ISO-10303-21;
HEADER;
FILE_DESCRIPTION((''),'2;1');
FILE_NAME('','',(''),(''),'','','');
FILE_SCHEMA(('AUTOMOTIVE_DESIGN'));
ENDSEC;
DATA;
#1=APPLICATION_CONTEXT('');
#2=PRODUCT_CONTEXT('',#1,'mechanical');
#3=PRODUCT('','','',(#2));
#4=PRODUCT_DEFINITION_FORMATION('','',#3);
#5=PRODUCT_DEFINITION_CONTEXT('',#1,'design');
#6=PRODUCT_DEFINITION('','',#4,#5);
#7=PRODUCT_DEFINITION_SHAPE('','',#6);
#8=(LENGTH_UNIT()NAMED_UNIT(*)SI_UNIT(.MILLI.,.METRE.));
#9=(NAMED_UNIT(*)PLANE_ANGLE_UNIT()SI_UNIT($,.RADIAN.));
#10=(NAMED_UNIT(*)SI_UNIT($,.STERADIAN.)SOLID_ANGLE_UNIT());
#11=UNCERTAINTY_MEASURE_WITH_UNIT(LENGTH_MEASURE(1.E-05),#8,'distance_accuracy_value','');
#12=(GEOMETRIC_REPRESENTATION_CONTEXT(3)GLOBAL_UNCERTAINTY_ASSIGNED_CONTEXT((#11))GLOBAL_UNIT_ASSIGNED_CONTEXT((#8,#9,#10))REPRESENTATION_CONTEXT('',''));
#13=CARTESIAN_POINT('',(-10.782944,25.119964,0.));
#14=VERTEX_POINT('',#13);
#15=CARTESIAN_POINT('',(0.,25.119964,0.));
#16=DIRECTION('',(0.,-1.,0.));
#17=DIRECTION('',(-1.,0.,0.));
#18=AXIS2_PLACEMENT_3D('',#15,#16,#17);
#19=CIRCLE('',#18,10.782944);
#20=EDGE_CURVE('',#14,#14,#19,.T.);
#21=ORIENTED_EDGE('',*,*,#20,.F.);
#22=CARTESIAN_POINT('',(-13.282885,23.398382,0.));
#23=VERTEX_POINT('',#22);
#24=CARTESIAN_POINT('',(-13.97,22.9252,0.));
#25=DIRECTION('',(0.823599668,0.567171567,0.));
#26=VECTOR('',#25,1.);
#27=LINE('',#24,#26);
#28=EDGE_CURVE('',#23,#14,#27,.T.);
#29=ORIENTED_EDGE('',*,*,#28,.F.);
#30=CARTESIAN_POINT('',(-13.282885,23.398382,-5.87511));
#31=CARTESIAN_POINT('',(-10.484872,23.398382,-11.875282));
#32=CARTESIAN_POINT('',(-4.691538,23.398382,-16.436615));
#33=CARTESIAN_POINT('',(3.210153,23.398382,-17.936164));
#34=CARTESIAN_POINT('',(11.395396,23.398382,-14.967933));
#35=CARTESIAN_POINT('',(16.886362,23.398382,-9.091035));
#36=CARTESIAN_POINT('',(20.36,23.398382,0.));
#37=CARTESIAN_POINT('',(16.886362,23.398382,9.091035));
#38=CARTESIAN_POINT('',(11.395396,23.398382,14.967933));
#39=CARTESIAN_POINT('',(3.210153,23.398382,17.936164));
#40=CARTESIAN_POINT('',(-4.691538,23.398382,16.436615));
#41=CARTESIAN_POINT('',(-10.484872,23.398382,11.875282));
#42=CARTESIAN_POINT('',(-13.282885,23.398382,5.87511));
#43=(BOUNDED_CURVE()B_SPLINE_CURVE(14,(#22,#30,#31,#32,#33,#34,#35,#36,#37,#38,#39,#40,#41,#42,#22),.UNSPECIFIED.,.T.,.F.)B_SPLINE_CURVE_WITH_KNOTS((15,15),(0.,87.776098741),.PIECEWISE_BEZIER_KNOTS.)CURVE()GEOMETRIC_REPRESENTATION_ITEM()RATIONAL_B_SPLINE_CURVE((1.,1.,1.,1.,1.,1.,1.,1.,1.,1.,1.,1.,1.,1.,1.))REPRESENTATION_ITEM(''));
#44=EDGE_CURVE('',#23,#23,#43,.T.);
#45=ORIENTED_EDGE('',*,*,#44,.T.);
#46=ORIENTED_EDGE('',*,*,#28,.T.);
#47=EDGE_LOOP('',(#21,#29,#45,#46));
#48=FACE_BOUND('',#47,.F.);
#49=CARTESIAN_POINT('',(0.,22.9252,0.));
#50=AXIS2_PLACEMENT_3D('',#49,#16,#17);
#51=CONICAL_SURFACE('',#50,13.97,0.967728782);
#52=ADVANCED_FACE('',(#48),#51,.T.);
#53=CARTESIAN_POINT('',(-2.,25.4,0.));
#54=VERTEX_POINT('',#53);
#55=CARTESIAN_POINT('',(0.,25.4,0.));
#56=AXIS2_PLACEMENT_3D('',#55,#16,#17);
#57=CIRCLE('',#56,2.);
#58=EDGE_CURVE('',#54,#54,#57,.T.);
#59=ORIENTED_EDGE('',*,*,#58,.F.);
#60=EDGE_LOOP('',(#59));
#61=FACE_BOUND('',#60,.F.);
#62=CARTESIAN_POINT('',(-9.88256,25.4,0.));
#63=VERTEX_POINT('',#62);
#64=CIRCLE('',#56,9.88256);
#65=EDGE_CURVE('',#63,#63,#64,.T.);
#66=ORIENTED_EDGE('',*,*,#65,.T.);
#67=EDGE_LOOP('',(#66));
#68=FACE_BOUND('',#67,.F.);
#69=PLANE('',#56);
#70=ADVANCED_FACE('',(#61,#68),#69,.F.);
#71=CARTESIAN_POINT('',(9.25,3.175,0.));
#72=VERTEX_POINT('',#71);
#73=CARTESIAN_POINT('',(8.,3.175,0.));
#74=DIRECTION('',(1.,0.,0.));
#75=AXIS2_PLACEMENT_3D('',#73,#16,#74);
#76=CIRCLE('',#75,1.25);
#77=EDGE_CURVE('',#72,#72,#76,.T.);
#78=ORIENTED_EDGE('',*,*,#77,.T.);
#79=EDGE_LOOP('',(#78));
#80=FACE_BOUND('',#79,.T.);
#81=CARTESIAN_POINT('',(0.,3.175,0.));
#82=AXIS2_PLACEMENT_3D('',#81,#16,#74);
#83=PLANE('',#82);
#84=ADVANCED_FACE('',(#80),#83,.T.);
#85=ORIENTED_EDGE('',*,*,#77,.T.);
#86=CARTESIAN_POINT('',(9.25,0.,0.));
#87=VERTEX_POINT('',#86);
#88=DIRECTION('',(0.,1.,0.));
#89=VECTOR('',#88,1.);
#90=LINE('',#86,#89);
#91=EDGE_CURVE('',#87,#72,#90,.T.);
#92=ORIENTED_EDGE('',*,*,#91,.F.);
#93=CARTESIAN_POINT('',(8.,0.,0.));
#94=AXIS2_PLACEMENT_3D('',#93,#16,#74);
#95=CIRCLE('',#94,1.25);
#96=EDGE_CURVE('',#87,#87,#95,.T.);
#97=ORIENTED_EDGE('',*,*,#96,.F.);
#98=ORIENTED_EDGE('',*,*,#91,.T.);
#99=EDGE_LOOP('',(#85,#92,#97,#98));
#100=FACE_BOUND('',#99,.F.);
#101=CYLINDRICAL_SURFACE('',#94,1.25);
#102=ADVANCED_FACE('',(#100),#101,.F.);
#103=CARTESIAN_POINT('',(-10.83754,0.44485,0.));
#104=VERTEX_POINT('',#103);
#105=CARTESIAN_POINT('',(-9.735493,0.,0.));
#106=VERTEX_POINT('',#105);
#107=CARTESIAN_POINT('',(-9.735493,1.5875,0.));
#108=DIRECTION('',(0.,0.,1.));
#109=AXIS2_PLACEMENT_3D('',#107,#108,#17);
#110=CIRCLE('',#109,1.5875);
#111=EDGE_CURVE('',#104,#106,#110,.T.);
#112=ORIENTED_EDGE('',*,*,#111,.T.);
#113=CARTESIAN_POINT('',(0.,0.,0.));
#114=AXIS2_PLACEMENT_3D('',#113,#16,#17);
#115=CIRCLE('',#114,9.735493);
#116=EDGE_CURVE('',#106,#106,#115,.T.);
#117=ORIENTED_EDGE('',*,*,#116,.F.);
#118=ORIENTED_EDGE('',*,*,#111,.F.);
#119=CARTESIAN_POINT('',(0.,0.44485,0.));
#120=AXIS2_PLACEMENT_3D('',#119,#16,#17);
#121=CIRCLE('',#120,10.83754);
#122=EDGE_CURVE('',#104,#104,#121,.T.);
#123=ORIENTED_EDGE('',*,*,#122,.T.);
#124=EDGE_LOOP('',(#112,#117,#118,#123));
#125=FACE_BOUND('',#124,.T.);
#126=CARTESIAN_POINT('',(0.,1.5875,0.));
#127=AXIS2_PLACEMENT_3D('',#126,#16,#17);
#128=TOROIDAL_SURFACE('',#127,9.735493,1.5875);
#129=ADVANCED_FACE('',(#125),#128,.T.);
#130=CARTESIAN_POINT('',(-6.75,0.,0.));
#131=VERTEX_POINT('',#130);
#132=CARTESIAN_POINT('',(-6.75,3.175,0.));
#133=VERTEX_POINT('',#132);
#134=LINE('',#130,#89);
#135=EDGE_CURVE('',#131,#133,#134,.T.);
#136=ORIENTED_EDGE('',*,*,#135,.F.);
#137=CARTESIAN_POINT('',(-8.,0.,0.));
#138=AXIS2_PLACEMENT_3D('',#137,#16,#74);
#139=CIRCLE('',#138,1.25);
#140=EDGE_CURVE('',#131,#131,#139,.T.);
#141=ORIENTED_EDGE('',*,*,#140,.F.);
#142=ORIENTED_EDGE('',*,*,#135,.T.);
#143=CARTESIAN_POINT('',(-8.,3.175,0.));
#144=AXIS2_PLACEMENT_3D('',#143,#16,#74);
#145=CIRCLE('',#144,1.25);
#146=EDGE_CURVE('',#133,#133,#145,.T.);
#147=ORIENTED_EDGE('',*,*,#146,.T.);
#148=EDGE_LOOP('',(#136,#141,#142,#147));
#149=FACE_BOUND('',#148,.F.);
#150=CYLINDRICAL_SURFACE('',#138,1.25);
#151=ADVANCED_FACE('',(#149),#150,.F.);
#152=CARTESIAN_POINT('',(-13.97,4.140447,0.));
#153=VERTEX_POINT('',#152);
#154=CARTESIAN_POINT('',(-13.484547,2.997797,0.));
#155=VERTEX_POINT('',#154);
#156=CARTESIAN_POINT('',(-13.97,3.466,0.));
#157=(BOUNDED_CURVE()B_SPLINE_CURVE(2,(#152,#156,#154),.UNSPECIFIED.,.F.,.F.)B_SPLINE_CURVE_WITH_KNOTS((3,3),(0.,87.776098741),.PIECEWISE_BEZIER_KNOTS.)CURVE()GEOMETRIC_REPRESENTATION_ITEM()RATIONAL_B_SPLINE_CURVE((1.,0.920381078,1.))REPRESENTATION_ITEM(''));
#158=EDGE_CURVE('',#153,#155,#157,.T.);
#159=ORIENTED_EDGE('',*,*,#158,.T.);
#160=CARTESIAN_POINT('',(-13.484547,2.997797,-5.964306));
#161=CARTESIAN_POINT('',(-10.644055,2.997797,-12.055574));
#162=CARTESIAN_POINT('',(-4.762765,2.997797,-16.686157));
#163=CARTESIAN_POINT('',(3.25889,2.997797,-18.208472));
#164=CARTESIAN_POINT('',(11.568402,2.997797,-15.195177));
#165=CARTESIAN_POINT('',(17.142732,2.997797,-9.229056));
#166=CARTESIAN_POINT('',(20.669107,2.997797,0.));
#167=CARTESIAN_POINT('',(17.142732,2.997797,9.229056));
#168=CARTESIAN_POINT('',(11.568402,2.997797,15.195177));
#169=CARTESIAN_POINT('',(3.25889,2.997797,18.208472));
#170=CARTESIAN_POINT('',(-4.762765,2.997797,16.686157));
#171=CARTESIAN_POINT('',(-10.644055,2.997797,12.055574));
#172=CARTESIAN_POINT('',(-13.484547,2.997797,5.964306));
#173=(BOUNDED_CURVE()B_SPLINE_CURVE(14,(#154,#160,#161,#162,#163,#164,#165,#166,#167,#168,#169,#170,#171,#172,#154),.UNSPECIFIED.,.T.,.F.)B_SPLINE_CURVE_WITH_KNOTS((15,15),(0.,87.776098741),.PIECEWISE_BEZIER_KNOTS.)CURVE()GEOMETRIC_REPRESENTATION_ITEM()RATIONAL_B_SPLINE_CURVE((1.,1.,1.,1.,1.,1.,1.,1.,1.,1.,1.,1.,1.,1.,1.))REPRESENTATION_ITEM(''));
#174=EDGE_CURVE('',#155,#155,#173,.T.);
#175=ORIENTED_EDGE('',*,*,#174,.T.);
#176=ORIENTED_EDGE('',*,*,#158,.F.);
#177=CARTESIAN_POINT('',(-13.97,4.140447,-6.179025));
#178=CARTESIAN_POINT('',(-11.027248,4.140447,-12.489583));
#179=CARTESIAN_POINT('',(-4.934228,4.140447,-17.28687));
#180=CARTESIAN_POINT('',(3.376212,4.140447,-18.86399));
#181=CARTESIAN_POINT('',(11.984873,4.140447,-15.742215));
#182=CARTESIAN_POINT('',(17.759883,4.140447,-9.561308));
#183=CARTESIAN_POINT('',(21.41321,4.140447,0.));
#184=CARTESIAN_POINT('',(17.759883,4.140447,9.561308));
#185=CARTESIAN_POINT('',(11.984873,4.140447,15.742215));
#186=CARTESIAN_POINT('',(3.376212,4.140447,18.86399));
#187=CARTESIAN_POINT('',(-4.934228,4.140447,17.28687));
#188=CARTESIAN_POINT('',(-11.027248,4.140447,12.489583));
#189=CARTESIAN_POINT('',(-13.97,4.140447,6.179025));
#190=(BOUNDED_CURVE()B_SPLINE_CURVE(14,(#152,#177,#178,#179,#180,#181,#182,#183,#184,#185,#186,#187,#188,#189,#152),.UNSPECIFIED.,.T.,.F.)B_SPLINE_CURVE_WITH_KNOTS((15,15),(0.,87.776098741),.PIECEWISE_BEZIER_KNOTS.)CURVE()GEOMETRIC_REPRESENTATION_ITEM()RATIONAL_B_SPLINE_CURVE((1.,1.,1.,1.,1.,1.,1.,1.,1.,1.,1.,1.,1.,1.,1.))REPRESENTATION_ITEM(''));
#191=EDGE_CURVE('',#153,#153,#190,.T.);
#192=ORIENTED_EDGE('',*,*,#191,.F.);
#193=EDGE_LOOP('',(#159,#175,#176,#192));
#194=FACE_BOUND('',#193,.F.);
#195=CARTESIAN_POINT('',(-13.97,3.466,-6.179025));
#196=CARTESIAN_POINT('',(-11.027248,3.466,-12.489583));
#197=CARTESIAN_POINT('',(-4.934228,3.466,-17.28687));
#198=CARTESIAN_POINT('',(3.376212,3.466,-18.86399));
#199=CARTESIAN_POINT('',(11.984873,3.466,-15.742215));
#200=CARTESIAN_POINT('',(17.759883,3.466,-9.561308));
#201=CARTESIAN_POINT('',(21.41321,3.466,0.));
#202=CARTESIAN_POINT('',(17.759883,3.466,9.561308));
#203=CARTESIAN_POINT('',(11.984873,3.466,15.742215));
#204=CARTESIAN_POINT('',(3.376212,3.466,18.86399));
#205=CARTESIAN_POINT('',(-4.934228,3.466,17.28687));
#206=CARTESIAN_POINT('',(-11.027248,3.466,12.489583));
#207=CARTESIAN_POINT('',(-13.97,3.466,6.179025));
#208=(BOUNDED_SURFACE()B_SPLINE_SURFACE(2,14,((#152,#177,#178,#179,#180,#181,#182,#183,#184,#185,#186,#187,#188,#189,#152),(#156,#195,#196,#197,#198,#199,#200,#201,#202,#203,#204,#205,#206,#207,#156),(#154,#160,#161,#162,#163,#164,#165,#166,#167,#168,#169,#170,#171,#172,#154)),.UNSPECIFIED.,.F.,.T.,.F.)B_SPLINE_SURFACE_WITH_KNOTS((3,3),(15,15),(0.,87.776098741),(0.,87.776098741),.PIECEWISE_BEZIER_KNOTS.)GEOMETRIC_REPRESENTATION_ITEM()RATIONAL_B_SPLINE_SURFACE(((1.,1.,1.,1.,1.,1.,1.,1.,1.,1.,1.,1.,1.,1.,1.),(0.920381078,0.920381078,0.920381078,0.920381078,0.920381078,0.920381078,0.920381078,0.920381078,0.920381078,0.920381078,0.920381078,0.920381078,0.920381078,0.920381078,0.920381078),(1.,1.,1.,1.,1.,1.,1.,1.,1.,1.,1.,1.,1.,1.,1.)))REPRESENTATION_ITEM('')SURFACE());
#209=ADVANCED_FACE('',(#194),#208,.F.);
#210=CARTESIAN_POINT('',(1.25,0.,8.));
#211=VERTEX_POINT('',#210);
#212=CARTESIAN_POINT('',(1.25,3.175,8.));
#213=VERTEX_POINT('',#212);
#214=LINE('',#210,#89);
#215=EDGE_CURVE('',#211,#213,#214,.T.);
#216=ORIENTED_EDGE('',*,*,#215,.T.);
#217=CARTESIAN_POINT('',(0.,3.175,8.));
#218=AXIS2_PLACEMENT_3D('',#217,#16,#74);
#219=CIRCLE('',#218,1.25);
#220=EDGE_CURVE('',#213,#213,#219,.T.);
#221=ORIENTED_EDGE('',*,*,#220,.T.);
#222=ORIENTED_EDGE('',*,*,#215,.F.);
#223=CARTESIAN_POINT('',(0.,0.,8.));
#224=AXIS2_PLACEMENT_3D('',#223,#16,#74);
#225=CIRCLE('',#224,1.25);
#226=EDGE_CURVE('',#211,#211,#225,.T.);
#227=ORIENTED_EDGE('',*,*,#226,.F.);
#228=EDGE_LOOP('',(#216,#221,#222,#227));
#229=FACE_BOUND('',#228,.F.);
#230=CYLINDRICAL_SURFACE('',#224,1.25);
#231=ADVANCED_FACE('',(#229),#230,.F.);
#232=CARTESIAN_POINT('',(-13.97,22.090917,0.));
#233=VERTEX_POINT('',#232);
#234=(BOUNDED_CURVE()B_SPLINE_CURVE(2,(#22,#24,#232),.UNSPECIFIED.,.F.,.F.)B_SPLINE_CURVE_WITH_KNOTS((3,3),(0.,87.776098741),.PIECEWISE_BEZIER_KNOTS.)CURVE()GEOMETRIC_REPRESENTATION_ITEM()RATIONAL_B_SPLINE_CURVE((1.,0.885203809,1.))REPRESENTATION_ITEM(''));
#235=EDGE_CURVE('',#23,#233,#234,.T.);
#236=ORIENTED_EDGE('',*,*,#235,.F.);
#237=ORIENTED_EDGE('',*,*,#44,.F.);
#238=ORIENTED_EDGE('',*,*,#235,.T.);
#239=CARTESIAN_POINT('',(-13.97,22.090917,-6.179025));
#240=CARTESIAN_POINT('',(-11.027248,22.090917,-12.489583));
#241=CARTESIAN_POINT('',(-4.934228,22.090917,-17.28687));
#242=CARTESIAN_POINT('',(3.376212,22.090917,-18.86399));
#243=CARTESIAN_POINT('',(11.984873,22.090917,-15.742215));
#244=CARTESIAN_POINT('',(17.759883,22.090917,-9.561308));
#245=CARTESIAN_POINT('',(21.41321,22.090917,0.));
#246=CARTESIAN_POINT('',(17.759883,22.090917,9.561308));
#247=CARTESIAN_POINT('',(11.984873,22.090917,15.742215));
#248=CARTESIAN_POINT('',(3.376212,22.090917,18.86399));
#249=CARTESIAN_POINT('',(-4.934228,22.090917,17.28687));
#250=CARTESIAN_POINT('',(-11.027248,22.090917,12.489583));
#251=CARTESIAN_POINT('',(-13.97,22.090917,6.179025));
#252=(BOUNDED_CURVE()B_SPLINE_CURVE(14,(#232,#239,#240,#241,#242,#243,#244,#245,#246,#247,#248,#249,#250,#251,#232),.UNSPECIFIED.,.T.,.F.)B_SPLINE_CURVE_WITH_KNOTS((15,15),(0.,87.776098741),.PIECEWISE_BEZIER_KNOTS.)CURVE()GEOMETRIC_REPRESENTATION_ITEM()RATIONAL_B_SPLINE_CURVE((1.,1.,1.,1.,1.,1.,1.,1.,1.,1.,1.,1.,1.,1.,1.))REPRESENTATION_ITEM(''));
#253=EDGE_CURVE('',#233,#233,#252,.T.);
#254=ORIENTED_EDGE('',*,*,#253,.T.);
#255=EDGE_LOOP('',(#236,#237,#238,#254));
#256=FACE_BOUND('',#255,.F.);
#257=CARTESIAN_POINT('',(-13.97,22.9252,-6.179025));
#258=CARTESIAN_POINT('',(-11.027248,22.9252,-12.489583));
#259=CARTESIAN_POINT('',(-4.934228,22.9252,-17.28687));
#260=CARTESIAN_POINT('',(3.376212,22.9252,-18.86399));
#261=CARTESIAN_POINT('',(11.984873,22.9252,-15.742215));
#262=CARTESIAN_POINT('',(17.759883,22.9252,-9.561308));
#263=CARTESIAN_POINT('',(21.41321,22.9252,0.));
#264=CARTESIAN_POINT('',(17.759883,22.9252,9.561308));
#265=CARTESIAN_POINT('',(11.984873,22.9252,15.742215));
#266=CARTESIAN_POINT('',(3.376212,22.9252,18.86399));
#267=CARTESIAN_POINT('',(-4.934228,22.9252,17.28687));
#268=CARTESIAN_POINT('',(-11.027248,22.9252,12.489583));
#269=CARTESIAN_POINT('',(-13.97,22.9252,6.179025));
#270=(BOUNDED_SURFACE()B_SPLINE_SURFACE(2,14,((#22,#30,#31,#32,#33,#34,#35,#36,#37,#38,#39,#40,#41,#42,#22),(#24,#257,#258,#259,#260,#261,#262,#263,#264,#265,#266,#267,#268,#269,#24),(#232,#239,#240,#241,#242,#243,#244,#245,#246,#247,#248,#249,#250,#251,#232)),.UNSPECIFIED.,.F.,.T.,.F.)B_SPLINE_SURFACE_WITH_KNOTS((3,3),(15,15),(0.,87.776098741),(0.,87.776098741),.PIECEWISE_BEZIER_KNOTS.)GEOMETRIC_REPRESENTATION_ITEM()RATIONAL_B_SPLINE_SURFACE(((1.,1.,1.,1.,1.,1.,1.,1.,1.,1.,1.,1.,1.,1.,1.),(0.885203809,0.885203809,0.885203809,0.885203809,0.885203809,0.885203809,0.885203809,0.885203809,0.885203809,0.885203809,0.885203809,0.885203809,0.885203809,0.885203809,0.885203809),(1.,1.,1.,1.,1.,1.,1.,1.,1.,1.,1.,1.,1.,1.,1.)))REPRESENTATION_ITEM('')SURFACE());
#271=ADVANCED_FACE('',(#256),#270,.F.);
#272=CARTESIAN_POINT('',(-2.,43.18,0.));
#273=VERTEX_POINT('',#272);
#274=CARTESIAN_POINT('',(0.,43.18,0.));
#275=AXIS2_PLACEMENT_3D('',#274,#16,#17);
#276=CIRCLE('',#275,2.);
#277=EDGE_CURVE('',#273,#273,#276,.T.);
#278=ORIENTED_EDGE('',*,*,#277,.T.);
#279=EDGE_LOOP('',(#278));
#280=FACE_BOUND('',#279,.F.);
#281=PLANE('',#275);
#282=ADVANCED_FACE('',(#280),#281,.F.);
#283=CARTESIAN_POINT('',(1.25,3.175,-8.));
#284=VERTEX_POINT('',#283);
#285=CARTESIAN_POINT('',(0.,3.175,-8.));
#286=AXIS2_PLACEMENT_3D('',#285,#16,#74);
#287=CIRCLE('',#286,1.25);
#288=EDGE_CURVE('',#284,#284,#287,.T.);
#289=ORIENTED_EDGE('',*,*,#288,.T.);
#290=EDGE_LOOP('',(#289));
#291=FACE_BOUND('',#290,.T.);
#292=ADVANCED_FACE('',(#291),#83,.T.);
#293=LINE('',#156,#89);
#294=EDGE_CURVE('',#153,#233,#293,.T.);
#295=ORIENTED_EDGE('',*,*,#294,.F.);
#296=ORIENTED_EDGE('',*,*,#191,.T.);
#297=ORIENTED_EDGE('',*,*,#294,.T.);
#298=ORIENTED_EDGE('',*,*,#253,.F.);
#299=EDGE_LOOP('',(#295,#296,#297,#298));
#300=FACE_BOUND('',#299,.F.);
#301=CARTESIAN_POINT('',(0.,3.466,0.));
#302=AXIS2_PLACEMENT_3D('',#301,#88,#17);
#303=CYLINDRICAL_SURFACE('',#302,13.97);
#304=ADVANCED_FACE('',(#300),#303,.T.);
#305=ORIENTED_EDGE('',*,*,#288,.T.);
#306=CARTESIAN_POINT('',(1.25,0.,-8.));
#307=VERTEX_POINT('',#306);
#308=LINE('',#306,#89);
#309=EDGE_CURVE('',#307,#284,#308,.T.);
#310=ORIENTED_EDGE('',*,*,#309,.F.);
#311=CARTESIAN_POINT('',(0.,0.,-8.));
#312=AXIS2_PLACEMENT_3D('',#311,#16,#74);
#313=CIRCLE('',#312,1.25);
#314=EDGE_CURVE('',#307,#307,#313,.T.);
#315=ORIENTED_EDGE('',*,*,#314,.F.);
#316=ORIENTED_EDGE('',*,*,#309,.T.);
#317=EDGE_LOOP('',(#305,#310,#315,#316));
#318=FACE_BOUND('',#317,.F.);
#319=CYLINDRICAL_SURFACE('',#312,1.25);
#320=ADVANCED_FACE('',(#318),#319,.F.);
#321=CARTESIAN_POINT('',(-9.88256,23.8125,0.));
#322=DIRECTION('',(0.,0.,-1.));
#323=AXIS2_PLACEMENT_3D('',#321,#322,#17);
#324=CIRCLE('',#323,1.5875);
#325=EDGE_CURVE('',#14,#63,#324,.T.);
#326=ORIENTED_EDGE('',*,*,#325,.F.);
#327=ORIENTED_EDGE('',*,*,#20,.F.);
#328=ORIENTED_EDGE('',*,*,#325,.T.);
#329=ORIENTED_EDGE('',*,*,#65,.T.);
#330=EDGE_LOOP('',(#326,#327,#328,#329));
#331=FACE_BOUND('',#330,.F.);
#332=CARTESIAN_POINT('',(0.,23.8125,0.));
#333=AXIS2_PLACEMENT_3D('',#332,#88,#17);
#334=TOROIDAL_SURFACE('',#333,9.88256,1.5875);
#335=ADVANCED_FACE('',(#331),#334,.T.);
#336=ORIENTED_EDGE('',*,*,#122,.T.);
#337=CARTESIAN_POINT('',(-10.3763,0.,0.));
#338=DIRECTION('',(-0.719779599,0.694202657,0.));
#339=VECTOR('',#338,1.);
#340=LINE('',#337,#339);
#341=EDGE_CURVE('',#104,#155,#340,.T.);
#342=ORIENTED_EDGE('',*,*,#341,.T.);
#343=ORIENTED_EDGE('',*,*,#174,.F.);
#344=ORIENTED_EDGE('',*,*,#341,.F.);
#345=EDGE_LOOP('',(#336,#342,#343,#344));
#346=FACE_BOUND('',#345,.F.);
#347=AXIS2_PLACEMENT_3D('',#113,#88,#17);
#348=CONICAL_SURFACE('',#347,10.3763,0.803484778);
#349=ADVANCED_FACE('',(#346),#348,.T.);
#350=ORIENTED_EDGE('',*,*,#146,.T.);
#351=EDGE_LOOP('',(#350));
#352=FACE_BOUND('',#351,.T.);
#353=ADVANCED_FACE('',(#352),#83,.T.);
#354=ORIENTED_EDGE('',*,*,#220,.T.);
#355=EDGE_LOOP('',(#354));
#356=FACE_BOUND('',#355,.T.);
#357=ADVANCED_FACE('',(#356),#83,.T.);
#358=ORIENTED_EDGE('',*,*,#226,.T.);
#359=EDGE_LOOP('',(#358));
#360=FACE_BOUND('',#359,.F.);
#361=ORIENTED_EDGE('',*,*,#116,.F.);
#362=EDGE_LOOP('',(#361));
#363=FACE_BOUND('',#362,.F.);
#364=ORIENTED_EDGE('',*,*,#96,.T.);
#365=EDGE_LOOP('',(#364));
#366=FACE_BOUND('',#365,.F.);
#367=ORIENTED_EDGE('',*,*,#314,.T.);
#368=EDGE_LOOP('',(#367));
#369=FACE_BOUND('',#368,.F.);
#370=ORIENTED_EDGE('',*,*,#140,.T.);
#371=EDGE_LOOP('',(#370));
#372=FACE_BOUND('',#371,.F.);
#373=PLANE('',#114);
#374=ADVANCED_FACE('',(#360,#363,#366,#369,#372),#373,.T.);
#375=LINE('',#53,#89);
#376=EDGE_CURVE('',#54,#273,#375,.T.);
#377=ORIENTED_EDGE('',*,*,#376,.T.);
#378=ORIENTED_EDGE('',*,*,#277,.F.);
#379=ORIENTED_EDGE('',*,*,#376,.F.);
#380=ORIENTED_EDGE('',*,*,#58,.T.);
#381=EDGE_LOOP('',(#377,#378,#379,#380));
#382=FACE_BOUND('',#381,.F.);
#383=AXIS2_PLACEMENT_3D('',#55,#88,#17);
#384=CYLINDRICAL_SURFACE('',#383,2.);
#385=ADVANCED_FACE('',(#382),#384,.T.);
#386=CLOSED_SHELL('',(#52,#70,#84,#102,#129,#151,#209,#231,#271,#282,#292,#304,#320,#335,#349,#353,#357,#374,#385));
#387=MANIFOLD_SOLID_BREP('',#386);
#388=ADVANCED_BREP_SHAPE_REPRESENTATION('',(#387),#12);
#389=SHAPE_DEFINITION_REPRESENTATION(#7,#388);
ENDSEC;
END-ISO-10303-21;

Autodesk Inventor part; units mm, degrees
ref_plane "YZ Plane" through (0, 0, 0) normal (1, 0, 0) x (0, 1, 0)
ref_plane "XZ Plane" through (0, 0, 0) normal (0, 1, 0) x (-1, 0, 0)
ref_plane "XY Plane" through (0, 0, 0) normal (0, 0, 1) x (1, 0, 0)
sketch "Sketch1" plane through (0, 0, 0) normal (0, 0, 1) x (1, 0, 0)
  line L0 (0, 43.18) -> (0, 0)
  line L1 (-10.3763, 25.4) -> (-2, 25.4)
  line L2 (-2, 25.4) -> (-2, 43.18)
  line L3 (-2, 43.18) -> (0, 43.18)
  line L4 (0, 0) -> (-10.3763, 0)
  line L5 (-10.3763, 0) -> (-13.97, 3.466)
  line L6 (-13.97, 3.466) -> (-13.97, 22.9252)
  line L7 (-13.97, 22.9252) -> (-10.3763, 25.4)
  point P0 (0, 21.59)
  dimension "d18" = 2
  dimension "d19" = 17.78
  dimension "d23" = 25.4
  dimension "d25" = 13.97
revolve "Revolution1" add sketch "Sketch1" angle 360 about axis through (0, 43.18, 0) along (0, -1, 0)
fillet "Fillet3" radius 1.5875 1 edges at (10.3763, 25.4, 0)
fillet "Fillet4" radius 1.5875 1 edges at (13.97, 22.9252, 0)
fillet "Fillet5" radius 1.5875 2 edges at (13.97, 3.466, 0) (10.3763, 0, 0)
sketch "Sketch2" plane through (0, 0, 0) normal (0, -1, 0) x (1, 0, 0)
  circle A0 centre (0, 0) radius 9.7355 projected
  circle A1 centre (8, 0) radius 1.25
  circle A2 centre (0, 8) radius 1.25
  circle A3 centre (-8, 0) radius 1.25
  circle A4 centre (0, -8) radius 1.25
  dimension "d29" = 2.5
  dimension "d32" = 360
  dimension "d36" = 8
extrude "Extrusion1" cut sketch "Sketch2" against normal blind 3.175 contours A1 | A2 | A3 | A4
properties part number "MotorTop"
